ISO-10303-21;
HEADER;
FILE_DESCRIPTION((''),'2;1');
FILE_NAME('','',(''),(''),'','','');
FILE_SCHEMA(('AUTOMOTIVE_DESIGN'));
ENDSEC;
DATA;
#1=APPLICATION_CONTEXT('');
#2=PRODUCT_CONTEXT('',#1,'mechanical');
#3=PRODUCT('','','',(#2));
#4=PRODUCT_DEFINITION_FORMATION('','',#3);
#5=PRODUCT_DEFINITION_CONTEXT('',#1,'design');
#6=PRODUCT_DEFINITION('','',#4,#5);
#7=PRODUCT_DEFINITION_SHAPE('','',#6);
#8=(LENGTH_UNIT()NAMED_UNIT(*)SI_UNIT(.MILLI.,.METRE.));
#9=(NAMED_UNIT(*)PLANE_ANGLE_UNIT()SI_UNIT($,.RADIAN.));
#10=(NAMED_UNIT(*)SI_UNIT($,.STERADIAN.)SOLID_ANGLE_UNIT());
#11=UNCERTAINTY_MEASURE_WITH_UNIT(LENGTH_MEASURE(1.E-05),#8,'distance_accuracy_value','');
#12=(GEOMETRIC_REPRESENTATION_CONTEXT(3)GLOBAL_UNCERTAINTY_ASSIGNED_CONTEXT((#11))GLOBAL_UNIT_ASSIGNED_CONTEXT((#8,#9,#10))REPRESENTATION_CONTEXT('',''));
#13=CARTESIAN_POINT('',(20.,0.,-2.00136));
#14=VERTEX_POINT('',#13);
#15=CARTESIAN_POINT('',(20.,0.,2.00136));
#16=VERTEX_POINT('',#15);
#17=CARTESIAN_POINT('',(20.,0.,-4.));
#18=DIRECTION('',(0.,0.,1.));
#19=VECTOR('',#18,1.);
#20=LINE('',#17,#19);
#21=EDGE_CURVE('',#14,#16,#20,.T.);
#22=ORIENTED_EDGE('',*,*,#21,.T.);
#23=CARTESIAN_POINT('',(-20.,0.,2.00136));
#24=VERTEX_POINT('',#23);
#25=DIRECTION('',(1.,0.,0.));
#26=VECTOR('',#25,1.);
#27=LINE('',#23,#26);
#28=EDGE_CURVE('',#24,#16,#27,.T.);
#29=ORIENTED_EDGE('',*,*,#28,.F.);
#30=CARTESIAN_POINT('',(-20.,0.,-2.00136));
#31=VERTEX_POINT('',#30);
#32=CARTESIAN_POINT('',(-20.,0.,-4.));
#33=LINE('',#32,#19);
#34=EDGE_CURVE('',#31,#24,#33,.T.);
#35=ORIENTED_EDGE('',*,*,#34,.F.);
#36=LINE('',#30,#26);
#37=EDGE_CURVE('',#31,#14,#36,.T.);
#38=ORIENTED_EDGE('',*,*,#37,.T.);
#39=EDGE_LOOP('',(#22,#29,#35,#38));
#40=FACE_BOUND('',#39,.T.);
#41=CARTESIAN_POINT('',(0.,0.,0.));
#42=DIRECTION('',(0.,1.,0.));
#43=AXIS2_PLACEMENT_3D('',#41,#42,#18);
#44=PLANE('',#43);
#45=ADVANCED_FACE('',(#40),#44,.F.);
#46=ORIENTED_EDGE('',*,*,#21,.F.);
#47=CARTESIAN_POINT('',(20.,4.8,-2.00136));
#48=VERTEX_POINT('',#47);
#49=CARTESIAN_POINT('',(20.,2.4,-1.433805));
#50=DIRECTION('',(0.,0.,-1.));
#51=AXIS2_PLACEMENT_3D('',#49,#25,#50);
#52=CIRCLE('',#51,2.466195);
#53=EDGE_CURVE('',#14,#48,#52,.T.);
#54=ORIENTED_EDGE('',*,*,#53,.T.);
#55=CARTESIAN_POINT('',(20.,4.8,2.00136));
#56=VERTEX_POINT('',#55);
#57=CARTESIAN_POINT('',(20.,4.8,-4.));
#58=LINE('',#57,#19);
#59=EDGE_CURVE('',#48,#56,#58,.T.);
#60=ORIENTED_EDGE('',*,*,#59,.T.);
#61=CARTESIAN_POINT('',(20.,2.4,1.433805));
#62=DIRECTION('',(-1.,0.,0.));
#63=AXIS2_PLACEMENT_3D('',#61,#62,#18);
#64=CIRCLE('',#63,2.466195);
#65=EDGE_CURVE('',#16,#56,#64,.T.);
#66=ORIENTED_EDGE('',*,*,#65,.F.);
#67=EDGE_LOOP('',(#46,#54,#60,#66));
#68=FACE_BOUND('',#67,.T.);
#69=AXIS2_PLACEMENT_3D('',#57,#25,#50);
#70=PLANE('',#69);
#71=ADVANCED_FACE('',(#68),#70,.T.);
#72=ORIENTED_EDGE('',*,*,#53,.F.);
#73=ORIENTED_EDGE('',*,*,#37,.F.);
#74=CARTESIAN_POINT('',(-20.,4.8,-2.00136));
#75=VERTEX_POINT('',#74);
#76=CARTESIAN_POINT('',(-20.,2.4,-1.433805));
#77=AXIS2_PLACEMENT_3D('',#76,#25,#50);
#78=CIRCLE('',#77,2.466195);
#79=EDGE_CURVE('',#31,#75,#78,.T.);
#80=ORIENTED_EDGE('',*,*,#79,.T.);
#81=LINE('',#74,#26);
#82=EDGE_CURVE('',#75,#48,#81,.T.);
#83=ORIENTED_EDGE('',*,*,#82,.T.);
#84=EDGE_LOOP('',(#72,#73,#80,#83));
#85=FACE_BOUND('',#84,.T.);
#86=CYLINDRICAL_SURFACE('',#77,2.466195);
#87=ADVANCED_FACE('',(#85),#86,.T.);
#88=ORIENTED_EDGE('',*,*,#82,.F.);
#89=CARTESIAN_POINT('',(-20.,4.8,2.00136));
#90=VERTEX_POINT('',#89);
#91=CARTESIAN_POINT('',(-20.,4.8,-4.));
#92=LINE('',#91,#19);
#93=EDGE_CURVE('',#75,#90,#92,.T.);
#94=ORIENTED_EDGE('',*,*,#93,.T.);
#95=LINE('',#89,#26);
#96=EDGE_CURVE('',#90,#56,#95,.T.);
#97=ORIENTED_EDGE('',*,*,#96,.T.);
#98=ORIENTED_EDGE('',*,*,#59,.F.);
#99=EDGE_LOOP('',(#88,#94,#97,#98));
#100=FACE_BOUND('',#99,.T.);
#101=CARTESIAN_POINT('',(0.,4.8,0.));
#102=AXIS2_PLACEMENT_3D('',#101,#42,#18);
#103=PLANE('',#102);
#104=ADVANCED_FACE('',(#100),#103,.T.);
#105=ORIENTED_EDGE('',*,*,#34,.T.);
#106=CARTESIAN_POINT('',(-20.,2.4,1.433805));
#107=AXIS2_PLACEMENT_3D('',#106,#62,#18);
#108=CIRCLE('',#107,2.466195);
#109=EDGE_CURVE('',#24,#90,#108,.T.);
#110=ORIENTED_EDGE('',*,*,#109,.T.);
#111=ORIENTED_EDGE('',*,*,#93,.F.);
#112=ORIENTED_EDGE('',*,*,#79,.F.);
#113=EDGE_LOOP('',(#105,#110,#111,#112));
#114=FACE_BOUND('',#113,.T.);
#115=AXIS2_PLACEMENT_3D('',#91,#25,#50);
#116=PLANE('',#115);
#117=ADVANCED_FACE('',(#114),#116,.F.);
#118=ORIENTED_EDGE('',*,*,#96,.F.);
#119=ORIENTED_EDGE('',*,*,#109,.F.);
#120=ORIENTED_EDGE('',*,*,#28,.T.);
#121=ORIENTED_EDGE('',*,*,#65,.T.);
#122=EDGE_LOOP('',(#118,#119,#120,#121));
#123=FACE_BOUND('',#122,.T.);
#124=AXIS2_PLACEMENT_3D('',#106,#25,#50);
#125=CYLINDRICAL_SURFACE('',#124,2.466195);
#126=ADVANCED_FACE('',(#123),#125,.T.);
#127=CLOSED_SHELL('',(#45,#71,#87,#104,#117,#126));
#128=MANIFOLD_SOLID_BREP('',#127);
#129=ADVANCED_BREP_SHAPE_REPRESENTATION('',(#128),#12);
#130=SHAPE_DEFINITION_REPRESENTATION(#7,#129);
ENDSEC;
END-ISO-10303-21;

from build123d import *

# Parameters (mm, degrees)
SKETCH1_W           = 40
SKETCH1_H           = 8
BOSS_EXTRUDE1_DEPTH = 4.8
CUT_EXTRUDE1_DEPTH  = 41.485058972


with BuildPart() as part:
    # Sketch1 → Boss-Extrude1 (new body)
    with BuildSketch(Plane(origin=(0, 0, 0), x_dir=(1, 0, 0), z_dir=(0, 1, 0))):
        Rectangle(SKETCH1_W, SKETCH1_H)
    extrude(amount=BOSS_EXTRUDE1_DEPTH)

    # Sketch2 → Cut-Extrude1 (cut, through all)
    with BuildSketch(Plane(origin=(20, 0, 0), x_dir=(0, 0, -1), z_dir=(1, 0, 0))):
        with BuildLine():
            Line((-2.001359705, 4.8), (-4, 4.8))
            Line((-4, 4.8), (-4, 0))
            Line((-4, 0), (-2.001359705, 0))
            ThreePointArc((-2.001359705, 0), (-3.9, 2.4), (-2.001359705, 4.8))
        make_face()
        with BuildLine():
            Line((4, 4.8), (4, 0))
            Line((4, 0), (2.001359705, 0))
            ThreePointArc((2.001359705, 0), (3.9, 2.4), (2.001359705, 4.8))
            Line((2.001359705, 4.8), (4, 4.8))
        make_face()
    extrude(amount=-CUT_EXTRUDE1_DEPTH, mode=Mode.SUBTRACT)


solid = part.part
